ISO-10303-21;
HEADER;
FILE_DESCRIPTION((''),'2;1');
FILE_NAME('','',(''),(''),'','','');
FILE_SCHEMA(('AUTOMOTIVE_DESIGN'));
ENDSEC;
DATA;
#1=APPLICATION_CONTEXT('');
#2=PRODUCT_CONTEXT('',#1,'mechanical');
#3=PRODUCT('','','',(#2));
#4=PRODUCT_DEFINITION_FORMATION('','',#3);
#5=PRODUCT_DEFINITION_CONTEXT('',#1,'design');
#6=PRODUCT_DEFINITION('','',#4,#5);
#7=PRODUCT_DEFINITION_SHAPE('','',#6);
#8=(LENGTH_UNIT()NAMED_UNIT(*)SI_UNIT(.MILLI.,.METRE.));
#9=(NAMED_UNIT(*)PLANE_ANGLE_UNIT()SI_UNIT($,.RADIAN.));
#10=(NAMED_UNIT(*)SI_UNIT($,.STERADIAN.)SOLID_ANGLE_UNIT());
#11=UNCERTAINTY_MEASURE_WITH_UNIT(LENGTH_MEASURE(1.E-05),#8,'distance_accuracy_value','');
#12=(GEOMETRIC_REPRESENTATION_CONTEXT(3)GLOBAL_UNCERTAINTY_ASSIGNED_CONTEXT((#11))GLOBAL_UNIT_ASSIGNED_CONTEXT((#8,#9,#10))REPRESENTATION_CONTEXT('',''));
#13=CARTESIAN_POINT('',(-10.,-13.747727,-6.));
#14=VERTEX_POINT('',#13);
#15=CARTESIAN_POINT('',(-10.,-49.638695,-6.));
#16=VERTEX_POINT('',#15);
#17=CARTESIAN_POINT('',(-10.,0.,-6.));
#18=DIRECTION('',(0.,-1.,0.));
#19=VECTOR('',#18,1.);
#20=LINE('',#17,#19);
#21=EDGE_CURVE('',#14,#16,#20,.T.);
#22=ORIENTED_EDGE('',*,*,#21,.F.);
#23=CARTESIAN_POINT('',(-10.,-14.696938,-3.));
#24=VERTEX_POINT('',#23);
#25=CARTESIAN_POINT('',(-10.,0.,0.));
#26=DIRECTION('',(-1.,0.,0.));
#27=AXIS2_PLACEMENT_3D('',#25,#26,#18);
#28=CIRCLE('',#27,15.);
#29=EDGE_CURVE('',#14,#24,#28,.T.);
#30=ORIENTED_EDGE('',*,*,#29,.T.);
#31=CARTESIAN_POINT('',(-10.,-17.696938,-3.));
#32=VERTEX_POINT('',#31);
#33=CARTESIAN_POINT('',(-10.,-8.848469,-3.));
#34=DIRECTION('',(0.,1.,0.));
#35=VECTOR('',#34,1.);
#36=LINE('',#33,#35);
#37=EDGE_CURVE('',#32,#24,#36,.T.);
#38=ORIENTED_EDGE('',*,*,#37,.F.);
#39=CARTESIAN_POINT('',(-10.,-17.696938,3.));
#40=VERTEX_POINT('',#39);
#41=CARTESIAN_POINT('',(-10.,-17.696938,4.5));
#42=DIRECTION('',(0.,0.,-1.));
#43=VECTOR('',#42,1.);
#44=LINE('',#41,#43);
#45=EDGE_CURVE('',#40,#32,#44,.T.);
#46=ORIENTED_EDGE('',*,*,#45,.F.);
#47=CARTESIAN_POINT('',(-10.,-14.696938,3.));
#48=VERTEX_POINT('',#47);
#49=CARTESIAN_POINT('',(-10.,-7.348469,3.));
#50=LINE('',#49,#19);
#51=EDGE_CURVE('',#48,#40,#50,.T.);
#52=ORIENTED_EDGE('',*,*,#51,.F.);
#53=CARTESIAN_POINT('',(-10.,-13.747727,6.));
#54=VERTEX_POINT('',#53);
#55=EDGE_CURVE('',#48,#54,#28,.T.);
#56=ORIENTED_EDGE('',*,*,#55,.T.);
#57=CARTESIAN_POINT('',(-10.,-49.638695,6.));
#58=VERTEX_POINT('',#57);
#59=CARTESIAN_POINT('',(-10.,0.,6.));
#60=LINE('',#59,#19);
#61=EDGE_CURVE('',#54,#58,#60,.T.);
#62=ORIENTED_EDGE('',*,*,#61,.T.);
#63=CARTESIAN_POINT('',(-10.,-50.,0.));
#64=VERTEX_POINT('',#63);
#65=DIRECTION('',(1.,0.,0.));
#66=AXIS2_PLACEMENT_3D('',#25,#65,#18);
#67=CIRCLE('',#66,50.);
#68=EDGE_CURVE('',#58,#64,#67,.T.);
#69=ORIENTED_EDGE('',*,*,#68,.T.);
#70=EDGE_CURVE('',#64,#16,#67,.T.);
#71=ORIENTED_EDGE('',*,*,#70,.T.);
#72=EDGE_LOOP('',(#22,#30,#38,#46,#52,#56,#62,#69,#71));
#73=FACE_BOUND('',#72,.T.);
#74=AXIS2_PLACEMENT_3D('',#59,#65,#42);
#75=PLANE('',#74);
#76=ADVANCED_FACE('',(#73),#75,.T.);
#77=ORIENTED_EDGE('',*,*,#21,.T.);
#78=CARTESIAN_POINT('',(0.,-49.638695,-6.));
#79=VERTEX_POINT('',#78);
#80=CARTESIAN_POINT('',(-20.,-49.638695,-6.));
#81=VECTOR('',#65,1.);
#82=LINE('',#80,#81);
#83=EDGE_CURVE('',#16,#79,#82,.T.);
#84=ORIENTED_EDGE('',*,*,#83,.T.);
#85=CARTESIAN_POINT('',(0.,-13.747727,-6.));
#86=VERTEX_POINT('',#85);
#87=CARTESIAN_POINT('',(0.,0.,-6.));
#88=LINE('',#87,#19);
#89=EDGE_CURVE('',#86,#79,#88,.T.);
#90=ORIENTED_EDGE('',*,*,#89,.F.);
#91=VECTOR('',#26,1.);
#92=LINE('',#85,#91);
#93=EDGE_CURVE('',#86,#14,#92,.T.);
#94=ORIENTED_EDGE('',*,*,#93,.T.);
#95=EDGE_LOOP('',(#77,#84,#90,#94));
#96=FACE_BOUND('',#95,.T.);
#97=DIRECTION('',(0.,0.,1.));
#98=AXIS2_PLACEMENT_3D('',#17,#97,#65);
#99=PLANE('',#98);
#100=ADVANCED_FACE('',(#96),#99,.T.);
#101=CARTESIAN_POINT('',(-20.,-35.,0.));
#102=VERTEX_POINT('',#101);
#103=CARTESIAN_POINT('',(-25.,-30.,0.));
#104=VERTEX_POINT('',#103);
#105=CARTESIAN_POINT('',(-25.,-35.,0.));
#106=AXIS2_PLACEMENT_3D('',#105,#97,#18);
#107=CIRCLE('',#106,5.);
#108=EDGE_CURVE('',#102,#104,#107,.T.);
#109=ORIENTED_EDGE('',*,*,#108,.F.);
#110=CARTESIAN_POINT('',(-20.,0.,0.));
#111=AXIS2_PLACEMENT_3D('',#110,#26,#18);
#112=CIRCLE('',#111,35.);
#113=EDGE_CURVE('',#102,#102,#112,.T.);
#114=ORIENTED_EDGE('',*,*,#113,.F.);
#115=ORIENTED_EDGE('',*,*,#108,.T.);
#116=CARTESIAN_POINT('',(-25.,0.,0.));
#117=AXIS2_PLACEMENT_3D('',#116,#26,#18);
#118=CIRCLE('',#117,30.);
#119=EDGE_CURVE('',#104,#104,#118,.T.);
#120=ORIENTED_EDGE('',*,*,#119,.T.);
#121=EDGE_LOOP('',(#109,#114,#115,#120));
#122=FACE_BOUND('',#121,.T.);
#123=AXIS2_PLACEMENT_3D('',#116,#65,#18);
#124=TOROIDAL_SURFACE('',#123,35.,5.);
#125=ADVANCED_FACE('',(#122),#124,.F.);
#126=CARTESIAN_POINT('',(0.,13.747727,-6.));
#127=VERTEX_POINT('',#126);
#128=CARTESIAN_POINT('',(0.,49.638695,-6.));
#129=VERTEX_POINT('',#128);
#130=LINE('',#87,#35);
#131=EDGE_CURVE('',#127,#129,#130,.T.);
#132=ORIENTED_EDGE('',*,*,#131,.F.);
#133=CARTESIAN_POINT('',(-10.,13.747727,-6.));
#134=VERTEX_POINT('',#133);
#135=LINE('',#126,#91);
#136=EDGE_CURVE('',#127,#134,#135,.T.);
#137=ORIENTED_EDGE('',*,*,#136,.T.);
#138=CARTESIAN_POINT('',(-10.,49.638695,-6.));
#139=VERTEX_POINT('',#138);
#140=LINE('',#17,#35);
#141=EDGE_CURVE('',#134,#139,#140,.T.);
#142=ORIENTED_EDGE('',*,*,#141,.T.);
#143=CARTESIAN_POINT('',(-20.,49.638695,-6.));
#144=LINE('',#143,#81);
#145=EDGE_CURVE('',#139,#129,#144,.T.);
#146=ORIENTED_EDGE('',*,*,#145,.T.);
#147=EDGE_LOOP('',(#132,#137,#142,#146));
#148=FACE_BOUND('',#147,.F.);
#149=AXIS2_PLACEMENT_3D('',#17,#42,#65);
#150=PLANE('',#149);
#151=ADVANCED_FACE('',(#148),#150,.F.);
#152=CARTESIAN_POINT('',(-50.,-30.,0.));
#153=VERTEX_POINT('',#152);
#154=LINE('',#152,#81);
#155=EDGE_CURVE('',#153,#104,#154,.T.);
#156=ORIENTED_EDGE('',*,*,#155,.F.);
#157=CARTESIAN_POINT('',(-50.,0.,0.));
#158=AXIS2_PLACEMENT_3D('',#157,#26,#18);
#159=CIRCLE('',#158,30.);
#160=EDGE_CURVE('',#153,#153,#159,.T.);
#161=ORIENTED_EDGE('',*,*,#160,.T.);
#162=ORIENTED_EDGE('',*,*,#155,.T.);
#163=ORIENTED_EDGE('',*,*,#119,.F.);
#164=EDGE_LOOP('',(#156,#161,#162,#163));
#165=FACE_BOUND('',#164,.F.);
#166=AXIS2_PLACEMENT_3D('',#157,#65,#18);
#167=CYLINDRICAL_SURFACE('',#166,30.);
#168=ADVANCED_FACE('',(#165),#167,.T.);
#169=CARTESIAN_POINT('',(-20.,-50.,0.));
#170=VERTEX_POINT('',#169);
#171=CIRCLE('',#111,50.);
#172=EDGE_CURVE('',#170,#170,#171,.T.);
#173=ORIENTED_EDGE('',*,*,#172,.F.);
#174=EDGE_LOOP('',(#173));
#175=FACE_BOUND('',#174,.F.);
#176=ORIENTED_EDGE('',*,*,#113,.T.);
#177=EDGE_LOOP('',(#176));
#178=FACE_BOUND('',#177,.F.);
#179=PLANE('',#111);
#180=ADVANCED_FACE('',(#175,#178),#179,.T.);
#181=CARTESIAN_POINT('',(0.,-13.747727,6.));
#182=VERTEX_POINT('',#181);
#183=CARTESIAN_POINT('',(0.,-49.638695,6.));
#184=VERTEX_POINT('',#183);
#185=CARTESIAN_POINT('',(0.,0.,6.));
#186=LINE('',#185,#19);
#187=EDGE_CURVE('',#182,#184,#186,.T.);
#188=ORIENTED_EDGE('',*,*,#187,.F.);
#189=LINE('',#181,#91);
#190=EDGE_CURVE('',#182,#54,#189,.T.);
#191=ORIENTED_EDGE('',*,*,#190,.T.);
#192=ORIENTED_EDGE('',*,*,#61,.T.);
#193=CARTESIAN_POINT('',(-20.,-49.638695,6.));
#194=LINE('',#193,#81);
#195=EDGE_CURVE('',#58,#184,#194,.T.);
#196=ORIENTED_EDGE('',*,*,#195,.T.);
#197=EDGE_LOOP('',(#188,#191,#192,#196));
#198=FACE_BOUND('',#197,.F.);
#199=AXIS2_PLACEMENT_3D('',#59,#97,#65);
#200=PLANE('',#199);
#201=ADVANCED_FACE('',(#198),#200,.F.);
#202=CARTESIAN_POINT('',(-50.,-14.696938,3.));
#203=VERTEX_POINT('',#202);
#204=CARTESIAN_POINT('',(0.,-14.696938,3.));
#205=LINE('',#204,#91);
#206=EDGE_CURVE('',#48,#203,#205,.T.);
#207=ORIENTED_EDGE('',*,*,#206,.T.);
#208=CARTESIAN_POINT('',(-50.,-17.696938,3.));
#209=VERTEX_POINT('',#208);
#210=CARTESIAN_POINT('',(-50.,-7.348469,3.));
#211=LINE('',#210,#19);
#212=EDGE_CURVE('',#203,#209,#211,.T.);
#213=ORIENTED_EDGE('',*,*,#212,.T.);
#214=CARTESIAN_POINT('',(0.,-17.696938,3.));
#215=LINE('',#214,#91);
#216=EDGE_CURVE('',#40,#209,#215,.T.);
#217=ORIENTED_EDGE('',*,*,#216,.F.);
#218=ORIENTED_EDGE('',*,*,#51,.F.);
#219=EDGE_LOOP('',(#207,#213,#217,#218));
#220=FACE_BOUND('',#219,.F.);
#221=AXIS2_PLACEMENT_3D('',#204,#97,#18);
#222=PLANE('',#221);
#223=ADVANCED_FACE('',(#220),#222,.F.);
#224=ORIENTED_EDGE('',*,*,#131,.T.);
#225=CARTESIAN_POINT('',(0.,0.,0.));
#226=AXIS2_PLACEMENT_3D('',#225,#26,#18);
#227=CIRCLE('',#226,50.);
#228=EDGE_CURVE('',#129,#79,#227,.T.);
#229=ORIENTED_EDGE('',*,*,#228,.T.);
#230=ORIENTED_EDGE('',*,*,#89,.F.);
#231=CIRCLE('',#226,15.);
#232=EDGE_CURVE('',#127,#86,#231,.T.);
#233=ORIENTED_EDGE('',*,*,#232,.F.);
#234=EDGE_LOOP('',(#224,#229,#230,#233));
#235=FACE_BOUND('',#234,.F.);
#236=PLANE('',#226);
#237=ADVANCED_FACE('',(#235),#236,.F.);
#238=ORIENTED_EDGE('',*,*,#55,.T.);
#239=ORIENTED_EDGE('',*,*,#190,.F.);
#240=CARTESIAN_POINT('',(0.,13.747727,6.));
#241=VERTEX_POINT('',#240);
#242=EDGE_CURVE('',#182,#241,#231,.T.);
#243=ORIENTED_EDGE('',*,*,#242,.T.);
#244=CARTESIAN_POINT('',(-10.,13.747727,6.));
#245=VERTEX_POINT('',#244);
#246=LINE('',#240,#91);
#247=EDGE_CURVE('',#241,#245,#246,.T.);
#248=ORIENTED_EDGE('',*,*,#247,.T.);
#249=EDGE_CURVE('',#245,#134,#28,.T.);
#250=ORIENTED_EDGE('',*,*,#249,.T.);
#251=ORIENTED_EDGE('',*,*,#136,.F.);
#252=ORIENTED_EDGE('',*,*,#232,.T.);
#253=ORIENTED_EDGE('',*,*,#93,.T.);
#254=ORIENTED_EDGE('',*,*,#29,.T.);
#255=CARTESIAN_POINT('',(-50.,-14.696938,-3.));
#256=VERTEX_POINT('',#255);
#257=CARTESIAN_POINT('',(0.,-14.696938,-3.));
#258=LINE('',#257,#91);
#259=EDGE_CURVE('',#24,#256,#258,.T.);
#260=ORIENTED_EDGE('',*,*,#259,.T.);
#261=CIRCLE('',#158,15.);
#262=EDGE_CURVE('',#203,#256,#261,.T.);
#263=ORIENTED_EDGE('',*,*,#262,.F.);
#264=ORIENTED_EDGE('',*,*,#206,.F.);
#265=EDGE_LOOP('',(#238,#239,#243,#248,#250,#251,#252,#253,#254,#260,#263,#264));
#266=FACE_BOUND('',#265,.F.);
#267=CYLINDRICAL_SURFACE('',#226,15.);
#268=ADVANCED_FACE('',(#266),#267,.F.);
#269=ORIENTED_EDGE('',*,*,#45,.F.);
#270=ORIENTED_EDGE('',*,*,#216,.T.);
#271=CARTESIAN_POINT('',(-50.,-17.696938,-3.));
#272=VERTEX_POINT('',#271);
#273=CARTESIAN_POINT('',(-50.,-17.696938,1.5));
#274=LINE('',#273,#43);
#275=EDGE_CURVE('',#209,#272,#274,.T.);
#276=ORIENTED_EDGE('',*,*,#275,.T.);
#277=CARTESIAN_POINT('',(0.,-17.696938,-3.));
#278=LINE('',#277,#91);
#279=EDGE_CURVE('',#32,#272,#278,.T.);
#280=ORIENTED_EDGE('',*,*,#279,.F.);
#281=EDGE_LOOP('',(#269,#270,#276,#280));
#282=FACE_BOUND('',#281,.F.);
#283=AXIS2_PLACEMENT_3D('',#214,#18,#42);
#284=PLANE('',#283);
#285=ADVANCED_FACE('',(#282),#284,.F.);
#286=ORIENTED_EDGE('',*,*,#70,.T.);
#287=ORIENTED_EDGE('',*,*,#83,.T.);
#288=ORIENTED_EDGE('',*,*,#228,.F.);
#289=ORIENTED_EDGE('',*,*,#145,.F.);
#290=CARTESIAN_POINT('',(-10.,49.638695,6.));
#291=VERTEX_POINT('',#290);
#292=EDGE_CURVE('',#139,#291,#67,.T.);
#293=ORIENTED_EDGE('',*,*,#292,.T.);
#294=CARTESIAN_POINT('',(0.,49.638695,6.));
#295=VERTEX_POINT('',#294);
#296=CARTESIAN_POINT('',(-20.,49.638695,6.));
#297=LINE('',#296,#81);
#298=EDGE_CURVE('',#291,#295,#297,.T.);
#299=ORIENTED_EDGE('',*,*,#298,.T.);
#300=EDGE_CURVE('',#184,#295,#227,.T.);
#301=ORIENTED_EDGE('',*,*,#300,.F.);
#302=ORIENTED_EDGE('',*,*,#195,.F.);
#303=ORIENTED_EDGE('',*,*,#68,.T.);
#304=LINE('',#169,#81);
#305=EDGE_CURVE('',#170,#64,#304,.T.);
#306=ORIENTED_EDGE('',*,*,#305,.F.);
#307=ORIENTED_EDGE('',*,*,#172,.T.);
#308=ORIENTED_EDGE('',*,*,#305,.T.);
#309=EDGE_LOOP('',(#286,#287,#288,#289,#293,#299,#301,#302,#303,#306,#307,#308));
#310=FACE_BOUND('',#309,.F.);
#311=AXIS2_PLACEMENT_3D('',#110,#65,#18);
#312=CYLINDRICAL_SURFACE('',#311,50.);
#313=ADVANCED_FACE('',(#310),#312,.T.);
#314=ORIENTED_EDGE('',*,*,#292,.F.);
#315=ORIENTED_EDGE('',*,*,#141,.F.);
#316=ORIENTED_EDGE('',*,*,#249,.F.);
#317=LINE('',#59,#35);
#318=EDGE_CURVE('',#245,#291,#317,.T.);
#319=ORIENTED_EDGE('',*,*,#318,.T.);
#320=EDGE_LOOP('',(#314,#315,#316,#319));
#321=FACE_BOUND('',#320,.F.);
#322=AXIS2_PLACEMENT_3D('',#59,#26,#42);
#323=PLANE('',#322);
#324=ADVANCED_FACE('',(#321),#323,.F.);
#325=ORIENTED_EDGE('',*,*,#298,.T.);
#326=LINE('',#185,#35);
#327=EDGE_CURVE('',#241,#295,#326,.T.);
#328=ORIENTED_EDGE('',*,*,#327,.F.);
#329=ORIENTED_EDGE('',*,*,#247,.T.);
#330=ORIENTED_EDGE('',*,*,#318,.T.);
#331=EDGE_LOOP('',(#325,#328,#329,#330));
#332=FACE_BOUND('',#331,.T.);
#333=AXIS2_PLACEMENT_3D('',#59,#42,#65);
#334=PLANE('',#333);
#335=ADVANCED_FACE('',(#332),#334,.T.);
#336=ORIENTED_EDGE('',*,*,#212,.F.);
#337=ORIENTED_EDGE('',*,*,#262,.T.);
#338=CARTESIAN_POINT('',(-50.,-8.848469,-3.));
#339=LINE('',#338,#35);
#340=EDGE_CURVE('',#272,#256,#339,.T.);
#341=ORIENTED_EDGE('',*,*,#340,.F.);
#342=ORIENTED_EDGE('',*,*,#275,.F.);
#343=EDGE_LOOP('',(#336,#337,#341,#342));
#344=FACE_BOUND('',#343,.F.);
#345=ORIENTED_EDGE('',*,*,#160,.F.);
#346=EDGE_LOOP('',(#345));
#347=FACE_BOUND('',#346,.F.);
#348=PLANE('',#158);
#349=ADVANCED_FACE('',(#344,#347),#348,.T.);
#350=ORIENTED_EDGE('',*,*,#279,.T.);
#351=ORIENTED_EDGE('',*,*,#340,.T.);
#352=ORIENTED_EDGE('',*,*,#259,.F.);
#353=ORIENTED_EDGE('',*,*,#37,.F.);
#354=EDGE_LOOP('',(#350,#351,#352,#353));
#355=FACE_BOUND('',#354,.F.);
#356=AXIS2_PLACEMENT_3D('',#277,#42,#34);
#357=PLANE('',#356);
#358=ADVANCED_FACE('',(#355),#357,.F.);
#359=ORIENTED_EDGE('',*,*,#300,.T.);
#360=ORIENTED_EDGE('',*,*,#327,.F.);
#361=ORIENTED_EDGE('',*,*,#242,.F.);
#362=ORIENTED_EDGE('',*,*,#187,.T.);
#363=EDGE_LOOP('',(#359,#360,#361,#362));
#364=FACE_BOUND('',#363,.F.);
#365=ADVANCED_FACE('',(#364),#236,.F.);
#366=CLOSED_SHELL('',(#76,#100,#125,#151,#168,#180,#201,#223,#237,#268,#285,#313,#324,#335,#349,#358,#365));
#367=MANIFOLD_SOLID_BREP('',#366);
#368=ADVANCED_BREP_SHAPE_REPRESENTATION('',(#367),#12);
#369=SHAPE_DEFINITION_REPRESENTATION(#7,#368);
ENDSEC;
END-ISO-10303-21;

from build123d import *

# Parameters (mm, degrees)
F1_W          = 10
F1_H          = 6
F3_DEPTH      = 100
F3_DEPTH_BACK = 100
F5_DEPTH      = 100
F6_R          = 5


with BuildPart() as f2:
    # F0 (on Top) → F2 (revolve)
    with BuildSketch(Plane.XY):
        Polygon((0, -50), (0, -15), (-50, -15), (-50, -30), (-20, -30), (-20, -50), align=None)
    revolve(axis=Axis((-24.532024, 0, 0), (-1, 0, 0)))

    # F1 (on Front) → F3 (cut, two sides)
    with BuildSketch(Plane.XZ) as f3_sk:
        with Locations((-5, 3)):
            Rectangle(F1_W, F1_H)
        with Locations((-5, -3)):
            Rectangle(F1_W, F1_H)
    extrude(amount=F3_DEPTH, mode=Mode.SUBTRACT)
    extrude(f3_sk.sketch, amount=-F3_DEPTH_BACK, mode=Mode.SUBTRACT)

    # F4 (on Right) → F5 (cut)
    with BuildSketch(Plane.YZ):
        with BuildLine():
            ThreePointArc((-15, 0), (-14.924042, 1.507634), (-14.696938, 3))
            Line((-14.696938, 3), (-17.696938, 3))
            Line((-17.696938, 3), (-17.696938, 0))
            Line((-17.696938, 0), (-15, 0))
        make_face()
        with BuildLine():
            Line((-17.696938, -3), (-14.696938, -3))
            ThreePointArc((-14.696938, -3), (-14.924042, -1.507634), (-15, 0))
            Line((-15, 0), (-17.696938, 0))
            Line((-17.696938, 0), (-17.696938, -3))
        make_face()
    extrude(amount=-F5_DEPTH, mode=Mode.SUBTRACT)

    # F6
    f6_edges = [f2.edges().sort_by_distance(p)[0] for p in [
        (-20, 30, 0),
    ]]
    fillet(f6_edges, radius=F6_R)


solid = f2.part
